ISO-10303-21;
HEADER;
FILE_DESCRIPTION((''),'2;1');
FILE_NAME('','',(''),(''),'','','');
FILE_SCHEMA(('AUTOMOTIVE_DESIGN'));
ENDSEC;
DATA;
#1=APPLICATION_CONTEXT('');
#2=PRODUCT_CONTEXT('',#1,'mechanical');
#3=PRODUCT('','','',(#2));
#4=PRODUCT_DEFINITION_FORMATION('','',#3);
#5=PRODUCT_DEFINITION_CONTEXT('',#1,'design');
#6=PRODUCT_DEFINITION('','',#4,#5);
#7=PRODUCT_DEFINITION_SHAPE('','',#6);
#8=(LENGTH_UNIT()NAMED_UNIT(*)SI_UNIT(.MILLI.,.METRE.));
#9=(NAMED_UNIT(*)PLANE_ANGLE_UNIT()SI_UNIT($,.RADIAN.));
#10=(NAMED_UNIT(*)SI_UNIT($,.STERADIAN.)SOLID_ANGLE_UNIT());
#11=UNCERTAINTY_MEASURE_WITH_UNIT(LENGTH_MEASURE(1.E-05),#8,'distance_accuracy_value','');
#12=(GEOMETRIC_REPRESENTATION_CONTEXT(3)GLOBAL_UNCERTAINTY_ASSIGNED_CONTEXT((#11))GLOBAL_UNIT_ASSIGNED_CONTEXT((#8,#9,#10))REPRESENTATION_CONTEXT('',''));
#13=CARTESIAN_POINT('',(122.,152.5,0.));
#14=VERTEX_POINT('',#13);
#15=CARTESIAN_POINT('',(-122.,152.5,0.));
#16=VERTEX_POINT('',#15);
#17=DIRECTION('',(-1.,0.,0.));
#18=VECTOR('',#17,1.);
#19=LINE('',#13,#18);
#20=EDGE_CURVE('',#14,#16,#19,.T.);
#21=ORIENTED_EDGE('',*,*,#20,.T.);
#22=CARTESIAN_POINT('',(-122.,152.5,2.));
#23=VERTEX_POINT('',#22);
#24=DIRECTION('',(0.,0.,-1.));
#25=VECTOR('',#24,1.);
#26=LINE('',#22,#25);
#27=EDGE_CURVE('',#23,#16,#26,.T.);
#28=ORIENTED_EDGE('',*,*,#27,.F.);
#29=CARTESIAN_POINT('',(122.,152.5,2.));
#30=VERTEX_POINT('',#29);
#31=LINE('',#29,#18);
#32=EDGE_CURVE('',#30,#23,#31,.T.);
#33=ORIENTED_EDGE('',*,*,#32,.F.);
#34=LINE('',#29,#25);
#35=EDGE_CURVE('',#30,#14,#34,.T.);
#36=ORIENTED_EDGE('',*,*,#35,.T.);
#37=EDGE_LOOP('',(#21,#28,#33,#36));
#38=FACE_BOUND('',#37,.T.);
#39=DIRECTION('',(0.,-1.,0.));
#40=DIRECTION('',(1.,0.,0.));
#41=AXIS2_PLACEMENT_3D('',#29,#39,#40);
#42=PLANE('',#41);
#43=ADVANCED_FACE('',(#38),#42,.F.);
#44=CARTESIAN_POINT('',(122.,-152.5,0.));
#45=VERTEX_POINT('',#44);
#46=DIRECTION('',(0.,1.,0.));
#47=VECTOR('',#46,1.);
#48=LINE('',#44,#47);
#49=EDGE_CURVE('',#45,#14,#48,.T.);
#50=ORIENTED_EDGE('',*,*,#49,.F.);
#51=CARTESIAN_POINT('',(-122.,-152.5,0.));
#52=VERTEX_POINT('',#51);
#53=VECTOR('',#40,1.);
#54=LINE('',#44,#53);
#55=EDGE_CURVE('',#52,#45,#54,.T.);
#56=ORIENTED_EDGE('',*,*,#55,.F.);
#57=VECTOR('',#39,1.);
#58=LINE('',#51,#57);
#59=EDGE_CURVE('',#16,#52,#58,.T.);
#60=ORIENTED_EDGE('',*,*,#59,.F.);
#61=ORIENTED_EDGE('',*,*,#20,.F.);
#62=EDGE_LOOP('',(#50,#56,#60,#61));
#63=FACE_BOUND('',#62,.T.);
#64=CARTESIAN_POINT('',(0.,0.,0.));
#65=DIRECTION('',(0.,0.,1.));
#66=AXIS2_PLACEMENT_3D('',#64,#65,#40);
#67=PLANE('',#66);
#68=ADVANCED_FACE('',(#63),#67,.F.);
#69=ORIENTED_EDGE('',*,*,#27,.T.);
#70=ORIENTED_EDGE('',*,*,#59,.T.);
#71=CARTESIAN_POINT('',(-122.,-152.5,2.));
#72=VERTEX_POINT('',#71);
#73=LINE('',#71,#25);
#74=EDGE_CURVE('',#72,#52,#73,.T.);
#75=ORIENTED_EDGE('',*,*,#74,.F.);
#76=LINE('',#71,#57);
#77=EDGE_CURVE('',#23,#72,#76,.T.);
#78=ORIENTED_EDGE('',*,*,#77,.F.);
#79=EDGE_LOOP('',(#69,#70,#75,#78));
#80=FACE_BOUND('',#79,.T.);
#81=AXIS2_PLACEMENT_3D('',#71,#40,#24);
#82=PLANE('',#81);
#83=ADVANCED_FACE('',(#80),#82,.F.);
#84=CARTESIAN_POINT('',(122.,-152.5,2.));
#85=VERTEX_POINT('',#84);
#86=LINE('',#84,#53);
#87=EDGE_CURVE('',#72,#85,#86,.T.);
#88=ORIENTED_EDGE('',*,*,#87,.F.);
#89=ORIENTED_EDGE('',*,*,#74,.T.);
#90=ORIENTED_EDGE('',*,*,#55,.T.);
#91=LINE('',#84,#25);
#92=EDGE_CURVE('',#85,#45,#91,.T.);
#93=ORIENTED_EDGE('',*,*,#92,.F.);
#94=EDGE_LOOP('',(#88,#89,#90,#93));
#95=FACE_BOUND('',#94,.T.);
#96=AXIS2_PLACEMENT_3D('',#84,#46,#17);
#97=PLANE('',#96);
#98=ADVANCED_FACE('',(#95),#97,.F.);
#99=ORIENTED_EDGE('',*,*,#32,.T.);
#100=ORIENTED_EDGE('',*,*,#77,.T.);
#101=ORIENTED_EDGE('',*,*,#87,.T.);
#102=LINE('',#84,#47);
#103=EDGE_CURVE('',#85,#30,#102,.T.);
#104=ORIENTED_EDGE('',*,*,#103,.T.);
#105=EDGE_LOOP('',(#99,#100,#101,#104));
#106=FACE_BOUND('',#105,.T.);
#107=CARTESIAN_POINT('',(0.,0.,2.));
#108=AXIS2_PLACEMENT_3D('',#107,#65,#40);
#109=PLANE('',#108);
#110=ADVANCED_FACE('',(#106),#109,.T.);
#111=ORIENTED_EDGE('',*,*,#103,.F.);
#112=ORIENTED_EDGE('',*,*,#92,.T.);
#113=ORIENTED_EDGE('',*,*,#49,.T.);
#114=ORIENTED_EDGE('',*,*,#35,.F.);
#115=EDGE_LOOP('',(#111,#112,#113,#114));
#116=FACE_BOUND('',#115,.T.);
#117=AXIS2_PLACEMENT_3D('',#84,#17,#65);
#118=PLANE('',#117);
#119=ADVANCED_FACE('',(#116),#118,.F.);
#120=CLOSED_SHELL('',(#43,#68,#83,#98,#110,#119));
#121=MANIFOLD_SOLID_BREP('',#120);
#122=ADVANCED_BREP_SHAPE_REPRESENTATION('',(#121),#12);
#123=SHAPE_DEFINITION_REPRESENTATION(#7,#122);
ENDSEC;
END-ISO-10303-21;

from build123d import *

# Parameters (mm, degrees)
SKETCH1_W           = 244
SKETCH1_H           = 305
BOSS_EXTRUDE1_DEPTH = 2


with BuildPart() as part:
    # Sketch1 → Boss-Extrude1 (new body)
    with BuildSketch(Plane.XY):
        Rectangle(SKETCH1_W, SKETCH1_H)
    extrude(amount=BOSS_EXTRUDE1_DEPTH)


solid = part.part
